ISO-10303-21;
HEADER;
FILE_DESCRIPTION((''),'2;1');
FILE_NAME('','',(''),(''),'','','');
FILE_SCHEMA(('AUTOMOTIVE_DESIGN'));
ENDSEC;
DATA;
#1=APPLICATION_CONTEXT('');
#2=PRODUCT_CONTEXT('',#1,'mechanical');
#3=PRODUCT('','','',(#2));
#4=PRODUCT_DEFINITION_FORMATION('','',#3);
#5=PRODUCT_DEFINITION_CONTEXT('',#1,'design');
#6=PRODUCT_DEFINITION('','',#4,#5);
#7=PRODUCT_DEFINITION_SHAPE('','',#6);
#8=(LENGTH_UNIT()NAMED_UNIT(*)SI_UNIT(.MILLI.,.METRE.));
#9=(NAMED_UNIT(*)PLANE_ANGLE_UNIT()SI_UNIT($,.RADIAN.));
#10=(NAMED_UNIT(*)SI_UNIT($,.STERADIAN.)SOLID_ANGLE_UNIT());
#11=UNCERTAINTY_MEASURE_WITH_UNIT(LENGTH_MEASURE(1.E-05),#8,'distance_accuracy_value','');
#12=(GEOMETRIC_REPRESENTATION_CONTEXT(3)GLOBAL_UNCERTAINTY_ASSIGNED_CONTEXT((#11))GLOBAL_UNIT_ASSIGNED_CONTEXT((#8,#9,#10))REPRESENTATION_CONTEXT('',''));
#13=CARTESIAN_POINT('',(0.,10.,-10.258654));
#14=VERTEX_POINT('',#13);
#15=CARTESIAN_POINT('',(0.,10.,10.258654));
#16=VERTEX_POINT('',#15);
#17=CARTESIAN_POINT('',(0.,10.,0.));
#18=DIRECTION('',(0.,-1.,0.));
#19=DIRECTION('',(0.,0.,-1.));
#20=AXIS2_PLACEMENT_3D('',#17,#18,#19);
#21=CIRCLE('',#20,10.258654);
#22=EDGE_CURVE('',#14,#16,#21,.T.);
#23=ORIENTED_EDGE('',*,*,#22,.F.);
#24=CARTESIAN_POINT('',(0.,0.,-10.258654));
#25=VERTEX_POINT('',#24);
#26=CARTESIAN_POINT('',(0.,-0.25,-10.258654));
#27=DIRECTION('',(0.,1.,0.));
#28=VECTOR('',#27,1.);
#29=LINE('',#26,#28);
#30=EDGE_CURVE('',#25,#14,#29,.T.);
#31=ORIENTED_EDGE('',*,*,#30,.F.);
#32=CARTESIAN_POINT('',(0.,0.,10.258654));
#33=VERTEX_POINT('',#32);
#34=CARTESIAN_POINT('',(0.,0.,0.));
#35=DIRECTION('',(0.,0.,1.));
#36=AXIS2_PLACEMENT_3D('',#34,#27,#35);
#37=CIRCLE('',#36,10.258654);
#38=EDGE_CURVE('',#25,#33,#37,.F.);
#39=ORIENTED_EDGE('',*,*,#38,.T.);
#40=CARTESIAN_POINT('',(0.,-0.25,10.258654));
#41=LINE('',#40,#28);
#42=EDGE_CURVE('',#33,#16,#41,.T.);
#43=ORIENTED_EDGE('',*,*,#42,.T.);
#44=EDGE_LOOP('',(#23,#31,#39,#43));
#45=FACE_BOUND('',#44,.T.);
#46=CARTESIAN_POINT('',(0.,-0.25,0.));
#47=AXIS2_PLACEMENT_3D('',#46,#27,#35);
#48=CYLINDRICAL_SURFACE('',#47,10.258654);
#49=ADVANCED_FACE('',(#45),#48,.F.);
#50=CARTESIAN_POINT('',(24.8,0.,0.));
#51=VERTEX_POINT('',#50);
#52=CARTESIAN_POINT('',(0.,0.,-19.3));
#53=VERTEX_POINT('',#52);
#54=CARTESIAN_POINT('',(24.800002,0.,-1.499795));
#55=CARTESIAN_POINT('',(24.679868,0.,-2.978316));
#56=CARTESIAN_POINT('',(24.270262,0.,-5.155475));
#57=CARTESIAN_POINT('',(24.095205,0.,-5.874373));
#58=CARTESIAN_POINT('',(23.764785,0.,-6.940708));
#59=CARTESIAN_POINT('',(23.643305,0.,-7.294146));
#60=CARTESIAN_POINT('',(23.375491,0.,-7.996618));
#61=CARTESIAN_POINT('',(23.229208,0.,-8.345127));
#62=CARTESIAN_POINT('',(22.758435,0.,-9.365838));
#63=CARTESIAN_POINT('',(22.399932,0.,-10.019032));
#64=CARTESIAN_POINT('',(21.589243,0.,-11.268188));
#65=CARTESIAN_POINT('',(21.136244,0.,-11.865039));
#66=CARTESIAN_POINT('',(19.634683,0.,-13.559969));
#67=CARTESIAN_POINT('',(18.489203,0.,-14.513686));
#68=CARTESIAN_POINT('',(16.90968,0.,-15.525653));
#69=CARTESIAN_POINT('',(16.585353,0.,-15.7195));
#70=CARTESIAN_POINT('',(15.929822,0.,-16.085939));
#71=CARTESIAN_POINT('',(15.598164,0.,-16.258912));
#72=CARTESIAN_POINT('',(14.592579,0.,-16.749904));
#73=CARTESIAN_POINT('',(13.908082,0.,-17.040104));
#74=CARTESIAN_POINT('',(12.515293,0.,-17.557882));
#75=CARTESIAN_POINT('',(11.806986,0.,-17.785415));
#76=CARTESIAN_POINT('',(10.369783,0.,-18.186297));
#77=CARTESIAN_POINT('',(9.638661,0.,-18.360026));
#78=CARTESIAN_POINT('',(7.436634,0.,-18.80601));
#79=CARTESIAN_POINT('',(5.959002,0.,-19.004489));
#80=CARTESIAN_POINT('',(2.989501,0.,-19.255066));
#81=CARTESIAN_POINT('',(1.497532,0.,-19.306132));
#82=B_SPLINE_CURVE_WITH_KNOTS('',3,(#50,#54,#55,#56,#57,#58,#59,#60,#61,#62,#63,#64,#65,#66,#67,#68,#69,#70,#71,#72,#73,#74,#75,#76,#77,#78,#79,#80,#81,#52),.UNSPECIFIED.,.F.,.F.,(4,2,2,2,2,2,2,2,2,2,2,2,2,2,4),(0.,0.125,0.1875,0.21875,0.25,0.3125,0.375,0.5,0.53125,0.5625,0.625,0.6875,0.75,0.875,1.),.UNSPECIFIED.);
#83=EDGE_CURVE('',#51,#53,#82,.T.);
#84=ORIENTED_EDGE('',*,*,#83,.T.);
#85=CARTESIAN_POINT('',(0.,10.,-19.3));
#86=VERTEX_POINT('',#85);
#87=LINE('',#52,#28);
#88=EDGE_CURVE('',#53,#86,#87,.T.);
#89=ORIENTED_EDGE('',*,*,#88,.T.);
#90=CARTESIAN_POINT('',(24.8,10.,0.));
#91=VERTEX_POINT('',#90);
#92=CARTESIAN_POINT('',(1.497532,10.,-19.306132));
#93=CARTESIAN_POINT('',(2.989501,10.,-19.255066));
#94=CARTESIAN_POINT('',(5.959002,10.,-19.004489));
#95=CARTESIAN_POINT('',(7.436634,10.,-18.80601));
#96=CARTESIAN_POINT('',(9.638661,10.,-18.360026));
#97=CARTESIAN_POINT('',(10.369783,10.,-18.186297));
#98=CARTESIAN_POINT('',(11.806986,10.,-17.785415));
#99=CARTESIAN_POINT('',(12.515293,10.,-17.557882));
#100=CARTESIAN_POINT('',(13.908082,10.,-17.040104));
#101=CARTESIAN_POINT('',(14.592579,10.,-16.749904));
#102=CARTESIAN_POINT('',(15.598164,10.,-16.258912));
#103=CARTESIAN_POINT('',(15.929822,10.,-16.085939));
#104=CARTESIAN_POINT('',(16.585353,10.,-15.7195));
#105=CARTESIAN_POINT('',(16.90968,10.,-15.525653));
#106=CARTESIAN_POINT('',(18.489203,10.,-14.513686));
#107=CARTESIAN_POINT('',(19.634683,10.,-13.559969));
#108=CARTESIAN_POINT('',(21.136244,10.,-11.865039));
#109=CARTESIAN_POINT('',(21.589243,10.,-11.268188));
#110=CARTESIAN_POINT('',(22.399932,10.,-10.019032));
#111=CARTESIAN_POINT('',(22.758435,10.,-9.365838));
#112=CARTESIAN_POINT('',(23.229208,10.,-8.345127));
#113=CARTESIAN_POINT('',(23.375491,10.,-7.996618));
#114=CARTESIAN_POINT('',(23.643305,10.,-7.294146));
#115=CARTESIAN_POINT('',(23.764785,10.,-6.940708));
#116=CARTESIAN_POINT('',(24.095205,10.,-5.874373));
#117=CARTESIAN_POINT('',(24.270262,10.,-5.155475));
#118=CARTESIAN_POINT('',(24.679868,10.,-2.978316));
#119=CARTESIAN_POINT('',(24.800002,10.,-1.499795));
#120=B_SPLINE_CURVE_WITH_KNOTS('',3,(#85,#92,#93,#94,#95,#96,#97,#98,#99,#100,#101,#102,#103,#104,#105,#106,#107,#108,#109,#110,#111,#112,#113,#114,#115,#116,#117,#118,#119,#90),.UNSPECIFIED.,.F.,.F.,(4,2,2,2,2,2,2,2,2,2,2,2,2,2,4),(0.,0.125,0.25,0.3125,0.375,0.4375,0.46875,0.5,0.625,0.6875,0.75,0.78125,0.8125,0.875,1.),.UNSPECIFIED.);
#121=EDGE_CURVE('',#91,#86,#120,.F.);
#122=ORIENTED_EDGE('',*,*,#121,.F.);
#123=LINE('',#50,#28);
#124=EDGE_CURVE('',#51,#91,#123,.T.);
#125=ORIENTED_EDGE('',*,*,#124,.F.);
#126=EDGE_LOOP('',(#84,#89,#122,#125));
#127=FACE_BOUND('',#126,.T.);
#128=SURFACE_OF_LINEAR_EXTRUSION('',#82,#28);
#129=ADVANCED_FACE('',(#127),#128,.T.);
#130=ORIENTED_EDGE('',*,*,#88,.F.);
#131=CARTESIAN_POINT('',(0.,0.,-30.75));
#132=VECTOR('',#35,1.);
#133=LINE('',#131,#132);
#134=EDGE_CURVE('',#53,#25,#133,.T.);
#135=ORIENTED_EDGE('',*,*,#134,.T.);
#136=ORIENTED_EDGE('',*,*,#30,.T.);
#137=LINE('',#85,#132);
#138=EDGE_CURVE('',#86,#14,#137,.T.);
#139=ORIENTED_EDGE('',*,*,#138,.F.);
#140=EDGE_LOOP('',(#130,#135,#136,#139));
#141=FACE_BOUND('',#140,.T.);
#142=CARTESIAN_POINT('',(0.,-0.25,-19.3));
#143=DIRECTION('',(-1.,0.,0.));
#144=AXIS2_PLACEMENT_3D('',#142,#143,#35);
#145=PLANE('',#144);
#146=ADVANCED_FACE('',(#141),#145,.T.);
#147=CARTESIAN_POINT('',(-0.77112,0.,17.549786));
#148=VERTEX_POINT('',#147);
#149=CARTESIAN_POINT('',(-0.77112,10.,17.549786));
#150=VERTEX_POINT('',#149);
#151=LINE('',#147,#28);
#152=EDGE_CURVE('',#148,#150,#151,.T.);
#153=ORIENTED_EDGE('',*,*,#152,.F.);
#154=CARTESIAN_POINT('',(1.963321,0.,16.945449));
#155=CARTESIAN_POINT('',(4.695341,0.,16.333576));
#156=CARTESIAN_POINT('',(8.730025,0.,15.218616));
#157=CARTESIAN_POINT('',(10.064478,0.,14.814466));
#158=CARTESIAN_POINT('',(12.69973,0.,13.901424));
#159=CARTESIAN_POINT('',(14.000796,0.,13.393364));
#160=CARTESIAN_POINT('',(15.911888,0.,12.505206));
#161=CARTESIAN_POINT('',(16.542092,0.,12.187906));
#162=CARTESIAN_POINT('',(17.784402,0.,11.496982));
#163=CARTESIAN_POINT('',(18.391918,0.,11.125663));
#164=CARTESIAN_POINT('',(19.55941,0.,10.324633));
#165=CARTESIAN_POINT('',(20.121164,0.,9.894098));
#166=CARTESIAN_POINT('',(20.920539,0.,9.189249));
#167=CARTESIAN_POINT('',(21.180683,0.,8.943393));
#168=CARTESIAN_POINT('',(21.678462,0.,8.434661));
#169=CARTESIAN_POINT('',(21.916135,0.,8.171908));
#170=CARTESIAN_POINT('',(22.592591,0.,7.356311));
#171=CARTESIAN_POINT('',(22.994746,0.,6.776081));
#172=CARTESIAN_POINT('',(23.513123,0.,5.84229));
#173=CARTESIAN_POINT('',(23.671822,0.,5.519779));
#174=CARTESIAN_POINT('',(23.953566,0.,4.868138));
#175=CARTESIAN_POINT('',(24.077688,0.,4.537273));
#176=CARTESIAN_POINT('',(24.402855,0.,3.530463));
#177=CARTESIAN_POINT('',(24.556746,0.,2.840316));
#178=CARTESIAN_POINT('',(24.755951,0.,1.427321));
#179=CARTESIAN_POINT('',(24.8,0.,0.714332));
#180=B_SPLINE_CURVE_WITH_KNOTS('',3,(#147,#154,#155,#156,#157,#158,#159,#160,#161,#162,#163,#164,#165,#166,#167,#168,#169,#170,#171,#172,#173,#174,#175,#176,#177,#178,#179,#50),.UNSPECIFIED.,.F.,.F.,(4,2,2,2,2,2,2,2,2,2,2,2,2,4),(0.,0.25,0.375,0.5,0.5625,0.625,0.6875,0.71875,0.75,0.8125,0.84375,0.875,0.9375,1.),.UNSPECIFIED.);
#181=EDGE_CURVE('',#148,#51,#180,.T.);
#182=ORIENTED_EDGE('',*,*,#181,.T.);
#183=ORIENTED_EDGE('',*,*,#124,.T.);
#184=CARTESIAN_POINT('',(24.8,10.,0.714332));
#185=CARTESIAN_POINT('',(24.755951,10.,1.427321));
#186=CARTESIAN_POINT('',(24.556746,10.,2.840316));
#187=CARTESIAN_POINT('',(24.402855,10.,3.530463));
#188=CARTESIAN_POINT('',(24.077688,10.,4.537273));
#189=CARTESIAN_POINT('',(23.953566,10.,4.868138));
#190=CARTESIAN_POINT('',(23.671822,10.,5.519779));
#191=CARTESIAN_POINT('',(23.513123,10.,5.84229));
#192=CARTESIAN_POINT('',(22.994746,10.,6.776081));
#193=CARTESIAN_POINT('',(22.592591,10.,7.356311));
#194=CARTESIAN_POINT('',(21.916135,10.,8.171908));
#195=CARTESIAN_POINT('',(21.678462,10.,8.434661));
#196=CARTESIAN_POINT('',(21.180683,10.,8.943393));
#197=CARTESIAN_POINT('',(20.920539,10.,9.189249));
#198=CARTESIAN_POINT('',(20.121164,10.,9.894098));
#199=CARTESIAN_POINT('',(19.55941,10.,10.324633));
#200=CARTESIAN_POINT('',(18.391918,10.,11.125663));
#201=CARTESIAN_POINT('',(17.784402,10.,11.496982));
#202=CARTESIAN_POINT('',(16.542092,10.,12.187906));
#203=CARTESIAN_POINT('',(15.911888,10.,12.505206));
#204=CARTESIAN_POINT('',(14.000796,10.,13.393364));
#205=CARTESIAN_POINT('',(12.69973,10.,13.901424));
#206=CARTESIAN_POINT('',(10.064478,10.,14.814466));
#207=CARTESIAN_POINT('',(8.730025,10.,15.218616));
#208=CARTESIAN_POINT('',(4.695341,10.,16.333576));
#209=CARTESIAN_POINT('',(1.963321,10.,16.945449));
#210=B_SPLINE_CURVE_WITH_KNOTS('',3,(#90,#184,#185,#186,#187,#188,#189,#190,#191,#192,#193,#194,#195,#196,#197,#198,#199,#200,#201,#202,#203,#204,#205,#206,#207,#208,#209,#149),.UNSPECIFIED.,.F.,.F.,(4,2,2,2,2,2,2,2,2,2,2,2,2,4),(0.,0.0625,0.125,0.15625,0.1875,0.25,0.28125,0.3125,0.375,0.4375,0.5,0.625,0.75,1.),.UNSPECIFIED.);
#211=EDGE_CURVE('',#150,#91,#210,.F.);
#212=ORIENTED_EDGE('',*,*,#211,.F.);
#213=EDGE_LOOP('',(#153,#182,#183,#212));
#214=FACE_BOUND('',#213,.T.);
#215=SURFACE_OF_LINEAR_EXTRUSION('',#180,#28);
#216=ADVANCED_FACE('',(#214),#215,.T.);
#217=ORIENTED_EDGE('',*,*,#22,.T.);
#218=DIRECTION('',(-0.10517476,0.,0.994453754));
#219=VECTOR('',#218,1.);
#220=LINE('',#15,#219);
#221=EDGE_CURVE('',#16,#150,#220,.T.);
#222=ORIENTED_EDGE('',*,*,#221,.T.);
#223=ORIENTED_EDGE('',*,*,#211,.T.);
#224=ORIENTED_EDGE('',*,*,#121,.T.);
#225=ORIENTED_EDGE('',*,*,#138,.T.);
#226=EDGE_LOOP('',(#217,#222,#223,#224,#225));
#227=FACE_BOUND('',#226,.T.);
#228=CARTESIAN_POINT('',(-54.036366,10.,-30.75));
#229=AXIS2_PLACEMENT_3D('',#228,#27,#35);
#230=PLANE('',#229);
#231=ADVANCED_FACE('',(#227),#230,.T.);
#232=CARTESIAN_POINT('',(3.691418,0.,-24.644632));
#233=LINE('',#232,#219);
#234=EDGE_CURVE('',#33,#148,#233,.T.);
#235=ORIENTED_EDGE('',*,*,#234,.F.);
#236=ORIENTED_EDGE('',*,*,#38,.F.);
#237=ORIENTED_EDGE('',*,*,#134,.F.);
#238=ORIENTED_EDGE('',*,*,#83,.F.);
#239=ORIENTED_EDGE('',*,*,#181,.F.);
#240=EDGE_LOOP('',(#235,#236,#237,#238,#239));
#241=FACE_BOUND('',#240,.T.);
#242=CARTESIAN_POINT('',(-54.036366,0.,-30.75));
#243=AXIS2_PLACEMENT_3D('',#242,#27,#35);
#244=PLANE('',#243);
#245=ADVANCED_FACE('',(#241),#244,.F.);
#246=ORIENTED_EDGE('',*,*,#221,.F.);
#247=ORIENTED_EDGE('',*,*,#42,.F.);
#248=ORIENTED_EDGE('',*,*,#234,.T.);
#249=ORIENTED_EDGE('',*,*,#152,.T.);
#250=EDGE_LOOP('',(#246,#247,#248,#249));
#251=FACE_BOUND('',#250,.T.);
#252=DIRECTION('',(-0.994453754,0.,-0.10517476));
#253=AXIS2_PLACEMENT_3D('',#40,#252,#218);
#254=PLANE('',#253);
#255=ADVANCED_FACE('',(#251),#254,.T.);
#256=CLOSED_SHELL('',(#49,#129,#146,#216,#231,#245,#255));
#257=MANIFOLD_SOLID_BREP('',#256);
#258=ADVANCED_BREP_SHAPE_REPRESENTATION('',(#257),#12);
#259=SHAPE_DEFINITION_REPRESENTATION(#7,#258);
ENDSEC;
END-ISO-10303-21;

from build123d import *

# Parameters (mm, degrees)
BOSS_EXTRUDE1_DEPTH = 10
SKETCH5_W           = 190.665965361
SKETCH5_H           = 98.914857752
CUT_EXTRUDE2_DEPTH  = 131.512395512
SKETCH3_W           = 191.984120241
SKETCH3_H           = 92.475390347
CUT_EXTRUDE1_DEPTH  = 125.356356188


with BuildPart() as part:
    # Sketch2 → Boss-Extrude1 (new body)
    with BuildSketch(Plane(origin=(0, 0, 0), x_dir=(1, 0, 0), z_dir=(0, 1, 0))):
        with BuildLine():
            Line((-26, 24.3), (0, 24.3))
            add(Edge.make_bspline(
                [(0, 24.3), (20.683832289, 24.384713811), (29.8, 14.098961604), (29.8, 0)],
                knots=[0, 0, 0, 0, 1, 1, 1, 1], degree=3))
            add(Edge.make_bspline(
                [(29.8, 0), (29.8, -15.903385672), (12.793782652, -19.673675204), (0, -22.5)],
                knots=[0, 0, 0, 0, 1, 1, 1, 1], degree=3))
            add(Edge.make_bspline(
                [(-86.5, -27.9), (-58.742591927, -27.9), (0, -22.5)],
                knots=[0, 0, 0, 1, 1, 1], degree=2))
            add(Edge.make_bspline(
                [(-124.6, 11.6), (-126.645501882, -15.929564791), (-96.169164371, -28.458925346), (-86.5, -27.9)],
                knots=[0, 0, 0, 0, 1, 1, 1, 1], degree=3))
            add(Edge.make_bspline(
                [(-86.5, 37.2), (-111.583343569, 37.2), (-124.6, 21.145918181), (-124.6, 11.6)],
                knots=[0, 0, 0, 0, 1, 1, 1, 1], degree=3))
            add(Edge.make_bspline(
                [(-26, 24.3), (-46.37360759, 24.3), (-60.223367409, 37.2), (-86.5, 37.2)],
                knots=[0, 0, 0, 0, 1, 1, 1, 1], degree=3))
        make_face()
    extrude(amount=BOSS_EXTRUDE1_DEPTH)

    # Sketch5 → Cut-Extrude2 (cut, through all)
    with BuildSketch(Plane(origin=(0, 10, 0), x_dir=(1, 0, 0), z_dir=(0, 1, 0))):
        with Locations((-37.807166851, 5.712427693)):
            Rectangle(SKETCH5_W, SKETCH5_H)
        with BuildLine():
            Line((0, 19.3), (-26, 19.3))
            add(Edge.make_bspline(
                [(-26, 19.3), (-28.614389566, 19.3), (-31.195480065, 19.494126305), (-36.299918034, 20.219008193), (-38.823236595, 20.749932309), (-43.82844627, 22.053293526), (-46.31311575, 22.826190042), (-51.244397222, 24.470393512), (-53.69402913, 25.341112046), (-58.607069123, 27.040712597), (-61.070722849, 27.868848632), (-64.806301572, 28.989279687), (-66.059451522, 29.343006622), (-68.572193461, 29.996166113), (-69.832412317, 30.295833479), (-73.626302931, 31.102275727), (-76.173387066, 31.51524352), (-81.307214737, 32.063798503), (-83.893870441, 32.2), (-86.5, 32.2)],
                knots=[0, 0, 0, 0, 0.125, 0.125, 0.25, 0.25, 0.375, 0.375, 0.5, 0.5, 0.625, 0.625, 0.6875, 0.6875, 0.75, 0.75, 0.875, 0.875, 1, 1, 1, 1], degree=3))
            add(Edge.make_bspline(
                [(-86.5, 32.2), (-90.047671723, 32.2), (-93.539315109, 31.853363621), (-97.818101716, 30.88944061), (-98.669522164, 30.669824618), (-100.363040922, 30.17291839), (-101.207876089, 29.89460231), (-103.707194596, 28.9730152), (-105.314538731, 28.24898707), (-108.402461221, 26.564840966), (-109.885156962, 25.604040465), (-112.695415045, 23.412360835), (-113.989352092, 22.209304545), (-115.736354807, 20.217749989), (-116.286105675, 19.522480074), (-117.307591473, 18.056713662), (-117.771937921, 17.297113036), (-118.380597746, 16.112260348), (-118.568848857, 15.709499136), (-118.910400222, 14.885324985), (-119.063856456, 14.46298862), (-119.32099023, 13.612441675), (-119.425833719, 13.182501201), (-119.534502641, 12.528030347), (-119.56255262, 12.308265558), (-119.588853411, 11.975515189), (-119.594973106, 11.86407762), (-119.600932982, 11.639967141), (-119.6, 11.527142129), (-119.6, 11.414500659)],
                knots=[0, 0, 0, 0, 0.25, 0.25, 0.3125, 0.3125, 0.375, 0.375, 0.5, 0.5, 0.625, 0.625, 0.75, 0.75, 0.8125, 0.8125, 0.875, 0.875, 0.90625, 0.90625, 0.9375, 0.9375, 0.96875, 0.96875, 0.984375, 0.984375, 0.9921875, 0.9921875, 1, 1, 1, 1], degree=3))
            add(Edge.make_bspline(
                [(-119.6, 11.414500659), (-119.620469876, 11.139005048), (-119.640012507, 10.863585734), (-119.66949801, 10.313536999), (-119.702590259, 9.489380197), (-119.701746238, 8.668015761), (-119.653311171, 7.029133356), (-119.558725583, 5.941670929), (-119.316814989, 4.318708201), (-119.219497862, 3.779093122), (-118.990298597, 2.702707063), (-118.857842254, 2.164001324), (-118.411370332, 0.568296748), (-118.049576648, -0.466050211), (-117.204822005, -2.479103419), (-116.721870667, -3.457814087), (-115.911016092, -4.886192051), (-115.626316263, -5.355698602), (-115.028686616, -6.281748331), (-114.715117794, -6.739029825), (-113.098128241, -8.967198862), (-111.636582687, -10.586754888), (-109.243370012, -12.821144966), (-108.411754958, -13.533067597), (-107.116844881, -14.554870601), (-106.676456633, -14.888333255), (-105.787025552, -15.535321816), (-105.337421344, -15.84934205), (-103.066112758, -17.374312871), (-101.175798147, -18.452299517), (-98.237583629, -19.870168351), (-97.240844592, -20.309198302), (-95.209999189, -21.114841784), (-94.174615133, -21.48224539), (-92.064314636, -22.126795927), (-91.001033475, -22.402007075), (-89.387886633, -22.70933152), (-88.84713932, -22.794224632), (-88.028751145, -22.879499568), (-87.754740398, -22.90089357), (-87.340882626, -22.916536257), (-87.202453029, -22.918989427), (-86.924204685, -22.915854968), (-86.784006393, -22.908070411), (-86.64375233, -22.899963035)],
                knots=[0, 0, 0, 0, 0.015625, 0.015625, 0.03125, 0.0625, 0.0625, 0.125, 0.125, 0.15625, 0.15625, 0.1875, 0.1875, 0.25, 0.25, 0.3125, 0.3125, 0.34375, 0.34375, 0.375, 0.375, 0.5, 0.5, 0.5625, 0.5625, 0.59375, 0.59375, 0.625, 0.625, 0.75, 0.75, 0.8125, 0.8125, 0.875, 0.875, 0.9375, 0.9375, 0.96875, 0.96875, 0.984375, 0.984375, 0.9921875, 0.9921875, 1, 1, 1, 1], degree=3))
            add(Edge.make_bspline(
                [(-86.64375233, -22.899963035), (-83.051721737, -22.901813131), (-79.463866007, -22.836654879), (-72.292852573, -22.630933055), (-68.709770334, -22.489158228), (-57.965349536, -21.986375675), (-50.808741052, -21.549448214), (-36.50252062, -20.563295893), (-29.353030187, -20.012120654), (-15.058799553, -18.833526914), (-7.914092044, -18.205583695), (-0.771119947, -17.549786375)],
                knots=[0, 0, 0, 0, 0.125, 0.125, 0.25, 0.25, 0.5, 0.5, 0.75, 0.75, 1, 1, 1, 1], degree=3))
            add(Edge.make_bspline(
                [(-0.771119947, -17.549786375), (1.963321139, -16.94544861), (4.695341149, -16.33357579), (8.730024902, -15.218615637), (10.064478195, -14.814466089), (12.699729823, -13.90142355), (14.000796007, -13.393364173), (15.911888282, -12.505206219), (16.542091865, -12.187905528), (17.784402153, -11.496981701), (18.391917697, -11.125662576), (19.559410174, -10.32463286), (20.121164342, -9.894098151), (20.920538613, -9.18924898), (21.180682911, -8.943393186), (21.678462153, -8.434660622), (21.916135354, -8.171907904), (22.59259098, -7.356311131), (22.994745994, -6.776081028), (23.513123046, -5.842290056), (23.671822244, -5.519779327), (23.953566298, -4.86813842), (24.077688222, -4.537273262), (24.402854637, -3.53046254), (24.556745878, -2.840315617), (24.755950633, -1.42732092), (24.8, -0.714331591), (24.8, 0)],
                knots=[0, 0, 0, 0, 0.25, 0.25, 0.375, 0.375, 0.5, 0.5, 0.5625, 0.5625, 0.625, 0.625, 0.6875, 0.6875, 0.71875, 0.71875, 0.75, 0.75, 0.8125, 0.8125, 0.84375, 0.84375, 0.875, 0.875, 0.9375, 0.9375, 1, 1, 1, 1], degree=3))
            add(Edge.make_bspline(
                [(24.8, 0), (24.800001574, 1.499794527), (24.679867583, 2.978315628), (24.270262238, 5.1554747), (24.095205029, 5.874372955), (23.764785291, 6.940708409), (23.64330548, 7.294145508), (23.375491288, 7.996618496), (23.229208001, 8.345127218), (22.758435322, 9.365838107), (22.399931747, 10.019031745), (21.589242675, 11.268187742), (21.136243882, 11.865038785), (19.63468306, 13.559968632), (18.489202915, 14.513686307), (16.909680401, 15.525653475), (16.58535259, 15.719500417), (15.929822317, 16.085938782), (15.598164332, 16.258912353), (14.592578593, 16.74990385), (13.908081512, 17.040104299), (12.515293354, 17.557881638), (11.806985872, 17.785415353), (10.369782811, 18.186296846), (9.638661479, 18.360025682), (7.436633609, 18.806009812), (5.959001697, 19.004489088), (2.98950105, 19.255065786), (1.497532001, 19.3061318), (0, 19.3)],
                knots=[0, 0, 0, 0, 0.125, 0.125, 0.1875, 0.1875, 0.21875, 0.21875, 0.25, 0.25, 0.3125, 0.3125, 0.375, 0.375, 0.5, 0.5, 0.53125, 0.53125, 0.5625, 0.5625, 0.625, 0.625, 0.6875, 0.6875, 0.75, 0.75, 0.875, 0.875, 1, 1, 1, 1], degree=3))
        make_face(mode=Mode.SUBTRACT)
    extrude(amount=-CUT_EXTRUDE2_DEPTH, mode=Mode.SUBTRACT)

    # Sketch3 → Cut-Extrude1 (cut, through all)
    with BuildSketch(Plane(origin=(0, 10, 0), x_dir=(1, 0, 0), z_dir=(0, 1, 0))):
        with Locations((-40.989040218, 1.022012658)):
            Rectangle(SKETCH3_W, SKETCH3_H)
        with BuildLine():
            Line((0, 19.3), (0, 10.258653745))
            ThreePointArc((0, 10.258653745), (10.258653745, 0), (0, -10.258653745))
            Line((0, -10.258653745), (-0.771119947, -17.549786375))
            add(Edge.make_bspline(
                [(-0.771119947, -17.549786375), (1.963321139, -16.94544861), (4.695341149, -16.33357579), (8.730024902, -15.218615637), (10.064478195, -14.814466089), (12.699729823, -13.90142355), (14.000796007, -13.393364173), (15.911888282, -12.505206219), (16.542091865, -12.187905528), (17.784402153, -11.496981701), (18.391917697, -11.125662576), (19.559410174, -10.32463286), (20.121164342, -9.894098151), (20.920538613, -9.18924898), (21.180682911, -8.943393186), (21.678462153, -8.434660622), (21.916135354, -8.171907904), (22.59259098, -7.356311131), (22.994745994, -6.776081028), (23.513123046, -5.842290056), (23.671822244, -5.519779327), (23.953566298, -4.86813842), (24.077688222, -4.537273262), (24.402854637, -3.53046254), (24.556745878, -2.840315617), (24.755950633, -1.42732092), (24.8, -0.714331591), (24.8, 0)],
                knots=[0, 0, 0, 0, 0.25, 0.25, 0.375, 0.375, 0.5, 0.5, 0.5625, 0.5625, 0.625, 0.625, 0.6875, 0.6875, 0.71875, 0.71875, 0.75, 0.75, 0.8125, 0.8125, 0.84375, 0.84375, 0.875, 0.875, 0.9375, 0.9375, 1, 1, 1, 1], degree=3))
            add(Edge.make_bspline(
                [(24.8, 0), (24.800001574, 1.499794527), (24.679867583, 2.978315628), (24.270262238, 5.1554747), (24.095205029, 5.874372955), (23.764785291, 6.940708409), (23.64330548, 7.294145508), (23.375491288, 7.996618496), (23.229208001, 8.345127218), (22.758435322, 9.365838107), (22.399931747, 10.019031745), (21.589242675, 11.268187742), (21.136243882, 11.865038785), (19.63468306, 13.559968632), (18.489202915, 14.513686307), (16.909680401, 15.525653475), (16.58535259, 15.719500417), (15.929822317, 16.085938782), (15.598164332, 16.258912353), (14.592578593, 16.74990385), (13.908081512, 17.040104299), (12.515293354, 17.557881638), (11.806985872, 17.785415353), (10.369782811, 18.186296846), (9.638661479, 18.360025682), (7.436633609, 18.806009812), (5.959001697, 19.004489088), (2.98950105, 19.255065786), (1.497532001, 19.3061318), (0, 19.3)],
                knots=[0, 0, 0, 0, 0.125, 0.125, 0.1875, 0.1875, 0.21875, 0.21875, 0.25, 0.25, 0.3125, 0.3125, 0.375, 0.375, 0.5, 0.5, 0.53125, 0.53125, 0.5625, 0.5625, 0.625, 0.625, 0.6875, 0.6875, 0.75, 0.75, 0.875, 0.875, 1, 1, 1, 1], degree=3))
        make_face(mode=Mode.SUBTRACT)
    extrude(amount=-CUT_EXTRUDE1_DEPTH, mode=Mode.SUBTRACT)


solid = part.part
